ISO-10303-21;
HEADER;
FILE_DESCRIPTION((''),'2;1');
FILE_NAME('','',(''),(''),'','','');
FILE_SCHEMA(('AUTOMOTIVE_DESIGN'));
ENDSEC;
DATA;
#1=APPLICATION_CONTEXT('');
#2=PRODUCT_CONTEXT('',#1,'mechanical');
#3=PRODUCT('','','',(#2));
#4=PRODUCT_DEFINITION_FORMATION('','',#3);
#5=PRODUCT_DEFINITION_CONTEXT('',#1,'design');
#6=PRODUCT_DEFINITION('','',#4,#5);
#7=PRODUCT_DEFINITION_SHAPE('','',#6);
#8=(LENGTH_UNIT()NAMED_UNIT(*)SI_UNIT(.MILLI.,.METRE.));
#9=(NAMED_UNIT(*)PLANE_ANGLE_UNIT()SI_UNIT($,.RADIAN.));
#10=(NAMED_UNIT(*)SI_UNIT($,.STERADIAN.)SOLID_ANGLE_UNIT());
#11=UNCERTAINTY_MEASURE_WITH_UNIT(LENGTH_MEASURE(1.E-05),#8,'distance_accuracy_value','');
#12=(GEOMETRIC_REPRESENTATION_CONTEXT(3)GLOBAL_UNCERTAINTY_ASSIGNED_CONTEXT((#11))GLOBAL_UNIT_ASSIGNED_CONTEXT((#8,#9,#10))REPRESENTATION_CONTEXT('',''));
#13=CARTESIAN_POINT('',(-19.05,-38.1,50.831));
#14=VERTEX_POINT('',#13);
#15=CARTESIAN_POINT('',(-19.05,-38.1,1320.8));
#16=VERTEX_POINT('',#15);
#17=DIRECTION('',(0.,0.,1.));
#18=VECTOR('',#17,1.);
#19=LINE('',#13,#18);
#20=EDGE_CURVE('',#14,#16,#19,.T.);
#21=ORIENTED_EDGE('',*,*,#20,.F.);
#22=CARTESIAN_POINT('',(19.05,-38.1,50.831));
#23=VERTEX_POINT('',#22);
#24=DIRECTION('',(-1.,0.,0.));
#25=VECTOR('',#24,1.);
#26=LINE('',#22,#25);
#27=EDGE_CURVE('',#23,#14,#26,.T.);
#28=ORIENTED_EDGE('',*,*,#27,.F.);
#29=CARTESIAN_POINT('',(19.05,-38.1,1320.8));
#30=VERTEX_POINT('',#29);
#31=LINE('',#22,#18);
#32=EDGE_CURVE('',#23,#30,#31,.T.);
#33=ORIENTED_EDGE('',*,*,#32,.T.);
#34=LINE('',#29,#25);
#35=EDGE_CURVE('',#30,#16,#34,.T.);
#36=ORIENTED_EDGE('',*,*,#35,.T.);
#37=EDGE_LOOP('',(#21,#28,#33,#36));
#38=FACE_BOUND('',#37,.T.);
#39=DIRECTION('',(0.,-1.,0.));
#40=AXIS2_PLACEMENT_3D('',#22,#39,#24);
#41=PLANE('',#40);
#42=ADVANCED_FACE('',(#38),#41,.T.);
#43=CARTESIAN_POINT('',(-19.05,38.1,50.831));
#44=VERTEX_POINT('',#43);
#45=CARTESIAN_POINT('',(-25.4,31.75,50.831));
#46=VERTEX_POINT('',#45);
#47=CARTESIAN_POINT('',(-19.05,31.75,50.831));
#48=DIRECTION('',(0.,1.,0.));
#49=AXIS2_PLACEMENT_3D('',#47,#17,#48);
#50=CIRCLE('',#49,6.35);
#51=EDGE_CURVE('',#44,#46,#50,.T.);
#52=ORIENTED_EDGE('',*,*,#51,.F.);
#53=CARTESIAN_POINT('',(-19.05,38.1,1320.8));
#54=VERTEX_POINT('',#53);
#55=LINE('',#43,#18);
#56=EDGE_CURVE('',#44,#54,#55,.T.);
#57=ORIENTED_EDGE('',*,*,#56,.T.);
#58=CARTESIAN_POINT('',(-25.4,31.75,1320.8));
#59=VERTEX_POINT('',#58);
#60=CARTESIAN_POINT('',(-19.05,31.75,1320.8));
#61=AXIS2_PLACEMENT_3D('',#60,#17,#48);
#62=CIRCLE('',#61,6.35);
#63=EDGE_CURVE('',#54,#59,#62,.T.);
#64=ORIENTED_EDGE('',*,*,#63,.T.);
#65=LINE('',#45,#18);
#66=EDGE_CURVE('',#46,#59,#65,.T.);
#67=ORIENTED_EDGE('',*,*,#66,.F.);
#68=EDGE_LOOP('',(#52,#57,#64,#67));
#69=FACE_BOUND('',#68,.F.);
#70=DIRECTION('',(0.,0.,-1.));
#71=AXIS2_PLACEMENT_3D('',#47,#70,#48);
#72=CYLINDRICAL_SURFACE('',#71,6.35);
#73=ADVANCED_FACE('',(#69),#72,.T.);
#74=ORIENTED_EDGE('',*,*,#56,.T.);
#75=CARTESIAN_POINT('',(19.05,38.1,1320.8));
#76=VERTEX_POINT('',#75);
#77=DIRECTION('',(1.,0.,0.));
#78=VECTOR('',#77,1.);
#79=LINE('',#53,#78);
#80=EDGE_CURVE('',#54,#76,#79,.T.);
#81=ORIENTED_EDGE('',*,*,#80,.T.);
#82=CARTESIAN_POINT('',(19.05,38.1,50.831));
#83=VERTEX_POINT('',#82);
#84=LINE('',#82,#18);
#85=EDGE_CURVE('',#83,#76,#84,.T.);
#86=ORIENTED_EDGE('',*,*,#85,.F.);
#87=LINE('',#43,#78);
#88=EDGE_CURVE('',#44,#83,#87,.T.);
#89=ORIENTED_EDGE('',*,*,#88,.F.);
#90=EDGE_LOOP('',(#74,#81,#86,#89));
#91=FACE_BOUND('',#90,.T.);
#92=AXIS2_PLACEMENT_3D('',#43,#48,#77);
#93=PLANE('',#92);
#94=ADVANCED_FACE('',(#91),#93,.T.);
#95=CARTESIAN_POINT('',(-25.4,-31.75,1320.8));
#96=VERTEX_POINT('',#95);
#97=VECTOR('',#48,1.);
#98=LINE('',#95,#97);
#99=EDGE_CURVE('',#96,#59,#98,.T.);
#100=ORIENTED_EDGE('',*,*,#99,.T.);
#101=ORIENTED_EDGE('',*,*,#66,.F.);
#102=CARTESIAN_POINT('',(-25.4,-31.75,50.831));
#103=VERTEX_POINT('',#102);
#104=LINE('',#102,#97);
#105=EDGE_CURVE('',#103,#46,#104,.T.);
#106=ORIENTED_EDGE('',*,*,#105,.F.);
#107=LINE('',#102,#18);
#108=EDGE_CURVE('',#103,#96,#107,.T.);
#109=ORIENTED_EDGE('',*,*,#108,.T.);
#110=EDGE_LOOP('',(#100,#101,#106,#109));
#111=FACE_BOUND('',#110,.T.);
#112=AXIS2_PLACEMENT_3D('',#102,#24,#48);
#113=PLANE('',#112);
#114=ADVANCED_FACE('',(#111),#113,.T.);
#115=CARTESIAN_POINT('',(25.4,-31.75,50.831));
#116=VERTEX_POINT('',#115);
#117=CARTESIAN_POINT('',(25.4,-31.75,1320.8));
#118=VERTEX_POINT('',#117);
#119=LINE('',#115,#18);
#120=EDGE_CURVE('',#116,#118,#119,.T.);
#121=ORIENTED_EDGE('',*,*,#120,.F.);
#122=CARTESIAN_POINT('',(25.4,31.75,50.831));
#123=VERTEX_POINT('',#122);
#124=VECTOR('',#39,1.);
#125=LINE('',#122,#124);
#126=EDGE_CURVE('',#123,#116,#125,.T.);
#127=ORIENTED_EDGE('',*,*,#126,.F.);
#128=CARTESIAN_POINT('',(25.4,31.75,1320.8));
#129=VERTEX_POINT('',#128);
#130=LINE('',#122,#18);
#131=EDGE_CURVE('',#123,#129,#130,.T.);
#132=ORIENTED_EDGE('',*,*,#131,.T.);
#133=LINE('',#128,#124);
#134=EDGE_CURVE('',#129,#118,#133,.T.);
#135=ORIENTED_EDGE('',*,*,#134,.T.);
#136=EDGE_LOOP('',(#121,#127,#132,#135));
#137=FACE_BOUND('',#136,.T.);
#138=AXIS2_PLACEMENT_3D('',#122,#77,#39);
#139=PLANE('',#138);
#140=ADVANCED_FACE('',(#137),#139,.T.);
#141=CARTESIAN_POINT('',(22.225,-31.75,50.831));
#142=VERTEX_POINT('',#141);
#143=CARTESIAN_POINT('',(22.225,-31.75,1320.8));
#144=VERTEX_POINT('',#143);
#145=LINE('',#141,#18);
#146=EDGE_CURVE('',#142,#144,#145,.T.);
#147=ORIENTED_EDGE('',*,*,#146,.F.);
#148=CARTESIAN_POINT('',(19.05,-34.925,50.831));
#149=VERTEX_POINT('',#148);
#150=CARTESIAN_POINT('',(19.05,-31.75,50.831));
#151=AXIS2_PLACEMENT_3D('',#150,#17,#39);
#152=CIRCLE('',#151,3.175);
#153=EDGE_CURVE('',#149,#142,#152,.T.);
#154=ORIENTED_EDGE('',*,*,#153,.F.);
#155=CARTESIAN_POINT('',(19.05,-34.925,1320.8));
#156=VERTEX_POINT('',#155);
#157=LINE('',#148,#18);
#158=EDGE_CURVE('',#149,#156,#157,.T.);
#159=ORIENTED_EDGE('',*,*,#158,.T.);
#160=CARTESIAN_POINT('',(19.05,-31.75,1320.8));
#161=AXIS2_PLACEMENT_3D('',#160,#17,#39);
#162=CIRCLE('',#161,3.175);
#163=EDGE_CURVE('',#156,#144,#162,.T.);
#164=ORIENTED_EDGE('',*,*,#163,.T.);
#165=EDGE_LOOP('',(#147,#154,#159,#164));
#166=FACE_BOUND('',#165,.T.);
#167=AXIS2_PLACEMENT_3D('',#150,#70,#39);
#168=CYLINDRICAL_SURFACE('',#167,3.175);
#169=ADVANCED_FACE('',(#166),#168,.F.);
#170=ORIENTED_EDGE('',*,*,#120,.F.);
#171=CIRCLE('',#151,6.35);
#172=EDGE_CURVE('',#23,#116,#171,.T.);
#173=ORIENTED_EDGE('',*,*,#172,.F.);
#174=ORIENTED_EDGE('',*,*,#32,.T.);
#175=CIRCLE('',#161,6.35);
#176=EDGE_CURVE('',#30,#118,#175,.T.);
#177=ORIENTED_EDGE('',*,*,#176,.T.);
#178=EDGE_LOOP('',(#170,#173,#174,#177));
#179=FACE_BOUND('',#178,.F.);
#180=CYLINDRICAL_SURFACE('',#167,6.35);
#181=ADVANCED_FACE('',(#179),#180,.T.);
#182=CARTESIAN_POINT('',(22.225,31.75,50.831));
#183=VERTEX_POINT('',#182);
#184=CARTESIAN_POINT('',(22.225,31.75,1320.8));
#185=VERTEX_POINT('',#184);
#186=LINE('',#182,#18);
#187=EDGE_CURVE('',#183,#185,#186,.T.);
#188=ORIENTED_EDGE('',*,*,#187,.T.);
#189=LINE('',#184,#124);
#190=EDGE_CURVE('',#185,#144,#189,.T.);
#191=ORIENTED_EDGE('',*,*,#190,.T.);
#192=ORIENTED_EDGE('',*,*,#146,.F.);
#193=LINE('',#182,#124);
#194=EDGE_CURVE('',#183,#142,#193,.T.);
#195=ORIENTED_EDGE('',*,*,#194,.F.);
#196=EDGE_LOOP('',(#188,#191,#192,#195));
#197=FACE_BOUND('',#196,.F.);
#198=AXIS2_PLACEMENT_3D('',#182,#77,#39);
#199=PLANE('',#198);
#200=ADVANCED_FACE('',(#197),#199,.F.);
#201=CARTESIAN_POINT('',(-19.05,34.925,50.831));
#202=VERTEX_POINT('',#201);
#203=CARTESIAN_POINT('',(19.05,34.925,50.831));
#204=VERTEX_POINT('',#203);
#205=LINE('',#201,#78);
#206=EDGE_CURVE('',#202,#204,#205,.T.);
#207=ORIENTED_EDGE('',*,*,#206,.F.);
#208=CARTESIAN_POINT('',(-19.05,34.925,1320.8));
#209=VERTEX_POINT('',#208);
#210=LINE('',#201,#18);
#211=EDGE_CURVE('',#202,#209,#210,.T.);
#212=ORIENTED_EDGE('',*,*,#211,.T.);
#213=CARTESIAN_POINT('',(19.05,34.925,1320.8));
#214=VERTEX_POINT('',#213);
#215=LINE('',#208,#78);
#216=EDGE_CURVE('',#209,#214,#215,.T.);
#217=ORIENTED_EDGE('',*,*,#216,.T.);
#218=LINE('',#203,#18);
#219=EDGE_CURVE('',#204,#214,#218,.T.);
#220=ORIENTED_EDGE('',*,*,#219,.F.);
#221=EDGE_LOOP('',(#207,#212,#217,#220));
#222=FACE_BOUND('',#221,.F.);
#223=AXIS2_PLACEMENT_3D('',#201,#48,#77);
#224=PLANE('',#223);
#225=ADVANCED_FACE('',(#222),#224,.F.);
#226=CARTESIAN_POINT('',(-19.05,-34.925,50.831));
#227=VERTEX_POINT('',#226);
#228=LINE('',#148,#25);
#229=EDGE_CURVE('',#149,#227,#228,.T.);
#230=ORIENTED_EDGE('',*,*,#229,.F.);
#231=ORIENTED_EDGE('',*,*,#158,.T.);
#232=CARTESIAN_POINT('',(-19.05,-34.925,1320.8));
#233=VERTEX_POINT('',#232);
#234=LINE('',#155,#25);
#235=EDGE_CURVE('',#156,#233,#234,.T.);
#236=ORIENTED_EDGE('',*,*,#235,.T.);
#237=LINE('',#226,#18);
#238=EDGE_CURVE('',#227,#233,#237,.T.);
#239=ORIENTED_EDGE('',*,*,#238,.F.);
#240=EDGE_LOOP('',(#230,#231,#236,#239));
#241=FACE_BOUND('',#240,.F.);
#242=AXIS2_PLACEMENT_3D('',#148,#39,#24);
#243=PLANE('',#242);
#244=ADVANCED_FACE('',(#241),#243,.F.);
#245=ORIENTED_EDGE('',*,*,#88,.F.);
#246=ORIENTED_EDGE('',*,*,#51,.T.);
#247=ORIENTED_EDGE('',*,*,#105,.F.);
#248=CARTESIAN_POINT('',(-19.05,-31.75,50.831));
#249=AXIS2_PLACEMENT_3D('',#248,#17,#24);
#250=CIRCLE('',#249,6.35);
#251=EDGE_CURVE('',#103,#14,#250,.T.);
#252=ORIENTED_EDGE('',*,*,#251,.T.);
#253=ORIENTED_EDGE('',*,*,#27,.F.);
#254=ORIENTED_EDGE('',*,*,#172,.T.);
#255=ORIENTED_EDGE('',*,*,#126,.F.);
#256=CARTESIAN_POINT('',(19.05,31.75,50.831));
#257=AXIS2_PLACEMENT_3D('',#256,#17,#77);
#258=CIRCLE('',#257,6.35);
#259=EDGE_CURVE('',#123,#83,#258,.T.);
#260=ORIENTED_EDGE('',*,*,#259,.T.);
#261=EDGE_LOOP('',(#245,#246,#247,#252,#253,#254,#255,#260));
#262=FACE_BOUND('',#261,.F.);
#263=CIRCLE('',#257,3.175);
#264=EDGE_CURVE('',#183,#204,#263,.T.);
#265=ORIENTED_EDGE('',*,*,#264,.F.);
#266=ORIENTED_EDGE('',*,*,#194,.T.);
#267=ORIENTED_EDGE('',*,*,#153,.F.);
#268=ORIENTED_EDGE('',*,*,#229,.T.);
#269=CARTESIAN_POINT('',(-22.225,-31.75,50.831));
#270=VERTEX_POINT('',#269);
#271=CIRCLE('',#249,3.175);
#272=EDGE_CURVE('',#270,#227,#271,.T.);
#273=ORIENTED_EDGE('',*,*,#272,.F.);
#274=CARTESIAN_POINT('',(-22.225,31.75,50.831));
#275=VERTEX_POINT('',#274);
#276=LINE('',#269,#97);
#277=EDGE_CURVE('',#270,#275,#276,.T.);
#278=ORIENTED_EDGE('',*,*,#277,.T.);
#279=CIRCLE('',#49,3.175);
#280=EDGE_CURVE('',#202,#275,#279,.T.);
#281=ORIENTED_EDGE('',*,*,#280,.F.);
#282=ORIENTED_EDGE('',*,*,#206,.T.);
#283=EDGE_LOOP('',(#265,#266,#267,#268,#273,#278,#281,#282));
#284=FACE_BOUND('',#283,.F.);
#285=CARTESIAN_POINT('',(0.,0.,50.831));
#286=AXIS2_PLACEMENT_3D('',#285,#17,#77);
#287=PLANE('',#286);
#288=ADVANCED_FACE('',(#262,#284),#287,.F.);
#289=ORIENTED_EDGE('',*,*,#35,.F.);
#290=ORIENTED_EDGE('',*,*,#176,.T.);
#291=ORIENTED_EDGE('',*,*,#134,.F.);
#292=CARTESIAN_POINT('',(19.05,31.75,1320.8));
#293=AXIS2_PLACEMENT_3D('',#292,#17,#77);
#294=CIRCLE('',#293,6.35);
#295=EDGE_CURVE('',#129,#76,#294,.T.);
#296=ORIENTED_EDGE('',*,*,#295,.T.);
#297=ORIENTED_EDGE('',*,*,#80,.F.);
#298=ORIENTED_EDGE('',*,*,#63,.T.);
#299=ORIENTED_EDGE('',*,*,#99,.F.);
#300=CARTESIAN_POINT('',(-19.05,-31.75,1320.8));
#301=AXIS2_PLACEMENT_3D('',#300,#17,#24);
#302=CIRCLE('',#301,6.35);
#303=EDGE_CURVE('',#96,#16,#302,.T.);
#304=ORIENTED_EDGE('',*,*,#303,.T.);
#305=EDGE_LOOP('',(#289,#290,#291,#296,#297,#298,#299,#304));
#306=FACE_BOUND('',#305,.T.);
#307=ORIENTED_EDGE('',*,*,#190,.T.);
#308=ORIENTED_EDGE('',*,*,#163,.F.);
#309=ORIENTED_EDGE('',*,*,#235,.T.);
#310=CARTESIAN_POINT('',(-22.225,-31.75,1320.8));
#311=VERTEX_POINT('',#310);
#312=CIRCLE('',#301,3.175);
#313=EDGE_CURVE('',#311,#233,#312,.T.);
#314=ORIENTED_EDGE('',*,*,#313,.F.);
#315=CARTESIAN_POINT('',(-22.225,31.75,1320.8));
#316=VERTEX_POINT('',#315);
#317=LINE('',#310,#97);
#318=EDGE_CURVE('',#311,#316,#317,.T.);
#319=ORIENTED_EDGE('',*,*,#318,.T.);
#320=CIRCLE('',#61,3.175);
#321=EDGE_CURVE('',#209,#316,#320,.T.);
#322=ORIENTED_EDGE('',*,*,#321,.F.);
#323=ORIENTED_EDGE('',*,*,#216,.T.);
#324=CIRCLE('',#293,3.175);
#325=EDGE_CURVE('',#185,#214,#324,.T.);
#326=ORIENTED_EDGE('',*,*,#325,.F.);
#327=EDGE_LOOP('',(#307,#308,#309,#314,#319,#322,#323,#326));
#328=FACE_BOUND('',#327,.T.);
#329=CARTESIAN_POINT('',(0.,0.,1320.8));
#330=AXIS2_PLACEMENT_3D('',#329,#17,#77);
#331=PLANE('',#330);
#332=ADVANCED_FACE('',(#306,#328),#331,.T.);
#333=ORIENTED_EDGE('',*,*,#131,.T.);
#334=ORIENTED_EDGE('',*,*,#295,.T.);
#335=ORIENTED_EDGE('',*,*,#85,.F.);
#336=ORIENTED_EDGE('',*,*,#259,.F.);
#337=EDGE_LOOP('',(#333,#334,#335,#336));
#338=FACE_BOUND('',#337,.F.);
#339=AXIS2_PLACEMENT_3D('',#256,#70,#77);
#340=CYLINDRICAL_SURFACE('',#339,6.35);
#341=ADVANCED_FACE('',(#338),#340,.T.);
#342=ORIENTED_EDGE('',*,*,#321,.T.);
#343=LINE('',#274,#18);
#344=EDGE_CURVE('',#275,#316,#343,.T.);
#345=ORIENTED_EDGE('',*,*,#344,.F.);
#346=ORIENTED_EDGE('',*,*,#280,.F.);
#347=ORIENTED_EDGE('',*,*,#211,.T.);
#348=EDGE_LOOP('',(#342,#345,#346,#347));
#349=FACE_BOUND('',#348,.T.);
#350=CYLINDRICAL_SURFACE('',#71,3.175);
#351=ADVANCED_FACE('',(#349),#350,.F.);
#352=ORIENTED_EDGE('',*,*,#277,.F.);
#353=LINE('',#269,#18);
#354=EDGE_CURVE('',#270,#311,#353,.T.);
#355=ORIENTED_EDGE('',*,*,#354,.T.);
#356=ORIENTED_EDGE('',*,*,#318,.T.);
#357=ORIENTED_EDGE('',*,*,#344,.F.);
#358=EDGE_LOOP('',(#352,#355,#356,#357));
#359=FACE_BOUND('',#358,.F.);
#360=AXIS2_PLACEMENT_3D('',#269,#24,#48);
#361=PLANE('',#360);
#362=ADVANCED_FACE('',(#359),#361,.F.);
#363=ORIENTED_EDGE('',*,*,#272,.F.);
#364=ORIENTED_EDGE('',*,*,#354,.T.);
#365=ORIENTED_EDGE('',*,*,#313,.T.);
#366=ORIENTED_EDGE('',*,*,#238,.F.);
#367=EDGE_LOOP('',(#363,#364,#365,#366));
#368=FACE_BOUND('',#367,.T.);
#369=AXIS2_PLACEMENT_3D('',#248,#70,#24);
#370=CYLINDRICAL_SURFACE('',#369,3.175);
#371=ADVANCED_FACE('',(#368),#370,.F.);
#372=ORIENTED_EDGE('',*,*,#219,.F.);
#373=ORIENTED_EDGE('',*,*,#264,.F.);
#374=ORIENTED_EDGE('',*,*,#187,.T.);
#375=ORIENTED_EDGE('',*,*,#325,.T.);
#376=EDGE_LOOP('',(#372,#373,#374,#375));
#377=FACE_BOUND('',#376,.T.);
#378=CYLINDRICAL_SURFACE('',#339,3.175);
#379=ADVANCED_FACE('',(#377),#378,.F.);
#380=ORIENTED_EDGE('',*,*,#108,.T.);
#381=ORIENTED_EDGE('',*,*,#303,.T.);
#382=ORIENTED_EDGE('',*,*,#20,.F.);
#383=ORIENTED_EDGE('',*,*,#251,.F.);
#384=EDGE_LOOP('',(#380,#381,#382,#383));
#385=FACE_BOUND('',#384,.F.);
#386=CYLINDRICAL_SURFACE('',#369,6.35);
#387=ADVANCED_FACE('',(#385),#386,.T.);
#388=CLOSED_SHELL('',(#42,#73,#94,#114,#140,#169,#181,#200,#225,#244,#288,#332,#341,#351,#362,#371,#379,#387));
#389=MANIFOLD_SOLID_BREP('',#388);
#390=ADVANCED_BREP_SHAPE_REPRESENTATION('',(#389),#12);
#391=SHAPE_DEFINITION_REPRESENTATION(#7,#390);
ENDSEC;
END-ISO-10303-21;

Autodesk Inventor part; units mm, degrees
ref_plane "Start Plane" through (0, 0, 50.831) normal (0, 0, 1) x (1, 0, 0)
ref_plane "End Plane" through (0, 0, 1320.8) normal (0, 0, 1) x (1, 0, 0)
sketch "Sketch" plane through (0, 0, 0) normal (0, 0, 1) x (1, 0, 0)
  line L0 (-25.4, -31.75) -> (-25.4, 31.75)
  line L1 (-19.05, 38.1) -> (19.05, 38.1)
  line L2 (25.4, 31.75) -> (25.4, -31.75)
  line L3 (19.05, -38.1) -> (-19.05, -38.1)
  arc A0 (-25.4, -31.75) -> (-19.05, -38.1) centre (-19.05, -31.75) ccw
  arc A1 (-19.05, 38.1) -> (-25.4, 31.75) centre (-19.05, 31.75) ccw
  arc A2 (25.4, 31.75) -> (19.05, 38.1) centre (19.05, 31.75) ccw
  arc A3 (19.05, -38.1) -> (25.4, -31.75) centre (19.05, -31.75) ccw
  arc A4 (-19.05, 34.925) -> (-22.225, 31.75) centre (-19.05, 31.75) ccw
  line L4 (-19.05, 34.925) -> (19.05, 34.925)
  arc A5 (22.225, 31.75) -> (19.05, 34.925) centre (19.05, 31.75) ccw
  line L5 (22.225, 31.75) -> (22.225, -31.75)
  arc A6 (19.05, -34.925) -> (22.225, -31.75) centre (19.05, -31.75) ccw
  line L6 (19.05, -34.925) -> (-19.05, -34.925)
  arc A7 (-22.225, -31.75) -> (-19.05, -34.925) centre (-19.05, -31.75) ccw
  line L7 (-22.225, -31.75) -> (-22.225, 31.75)
  line L8 (0, 55.1812) -> (0, -55.1812) construction
  line L9 (-37.4012, 0) -> (37.4012, 0) construction
  dimension "d10" = 76.2
  dimension "d11" = 50.8
  dimension "d12" = 3.175
  dimension "d15" = 38.1
  dimension "d16" = 25.4
  dimension "d17" = 6.35
extrude "Body" add sketch "Sketch" along normal up to surface (1269.969 mm away) from surface at 50.831
sketch "Sketch3" plane through (0, 0, 0) normal (0, 0, 1) x (1, 0, 0)
  line L0 (0, 0) -> (10, 0)
ref_plane "Work Plane3" through (0, 0, 0) normal (0, -1, 0) x (1, 0, 0)
ref_plane "Work Plane4" through (0, -38.1, 1320.8) normal (0, 0, 1) x (1, 0, 0)
split "Split1" plane through (0, -38.1, 1320.8) removes the side toward (0, 0, 1)
ref_plane "Work Plane5" through (-25.4, 0, 50.831) normal (0, 0, -1) x (-1, 0, 0)
split "Split2" plane through (-25.4, 0, 50.831) removes the side toward (0, 0, -1)
sketch "Sketch4" plane through (0, 0, 0) normal (0, -1, 0) x (1, 0, 0)
  line L0 (-2, 50.831) -> (12, 50.831) projected
  line L1 (-2, 1320.8) -> (12, 1320.8) projected
  dimension "d19" = 1269.969
equation "\"d10\" = G_H"
equation "\"d11\" = G_W"
equation "\"d12\" = G_T"
equation "\"d15\" = 0.5 * d10"
equation "\"d16\" = 0.5 * d11"
equation "\"d17\" = G_IR"
equation "\"d3\" = G_L"
equation "\"G_W\" = 50.8"
equation "\"G_H\" = 76.2"
equation "\"G_T\" = 3.175"
equation "\"G_IR\" = 6.35"
equation "\"G_L\" = d19"
equation "\"G_OFFSET_START\" = -50.831"
equation "\"G_OFFSET_END\" = 0"
equation "\"d13\" = -G_OFFSET_START"
equation "\"d14\" = G_OFFSET_END + B_L"
equation "\"B_L\" = 1320.8"
properties part number "AISC - 3 x 2 x 1/8 - 49.999" material "Steel, Mild"
